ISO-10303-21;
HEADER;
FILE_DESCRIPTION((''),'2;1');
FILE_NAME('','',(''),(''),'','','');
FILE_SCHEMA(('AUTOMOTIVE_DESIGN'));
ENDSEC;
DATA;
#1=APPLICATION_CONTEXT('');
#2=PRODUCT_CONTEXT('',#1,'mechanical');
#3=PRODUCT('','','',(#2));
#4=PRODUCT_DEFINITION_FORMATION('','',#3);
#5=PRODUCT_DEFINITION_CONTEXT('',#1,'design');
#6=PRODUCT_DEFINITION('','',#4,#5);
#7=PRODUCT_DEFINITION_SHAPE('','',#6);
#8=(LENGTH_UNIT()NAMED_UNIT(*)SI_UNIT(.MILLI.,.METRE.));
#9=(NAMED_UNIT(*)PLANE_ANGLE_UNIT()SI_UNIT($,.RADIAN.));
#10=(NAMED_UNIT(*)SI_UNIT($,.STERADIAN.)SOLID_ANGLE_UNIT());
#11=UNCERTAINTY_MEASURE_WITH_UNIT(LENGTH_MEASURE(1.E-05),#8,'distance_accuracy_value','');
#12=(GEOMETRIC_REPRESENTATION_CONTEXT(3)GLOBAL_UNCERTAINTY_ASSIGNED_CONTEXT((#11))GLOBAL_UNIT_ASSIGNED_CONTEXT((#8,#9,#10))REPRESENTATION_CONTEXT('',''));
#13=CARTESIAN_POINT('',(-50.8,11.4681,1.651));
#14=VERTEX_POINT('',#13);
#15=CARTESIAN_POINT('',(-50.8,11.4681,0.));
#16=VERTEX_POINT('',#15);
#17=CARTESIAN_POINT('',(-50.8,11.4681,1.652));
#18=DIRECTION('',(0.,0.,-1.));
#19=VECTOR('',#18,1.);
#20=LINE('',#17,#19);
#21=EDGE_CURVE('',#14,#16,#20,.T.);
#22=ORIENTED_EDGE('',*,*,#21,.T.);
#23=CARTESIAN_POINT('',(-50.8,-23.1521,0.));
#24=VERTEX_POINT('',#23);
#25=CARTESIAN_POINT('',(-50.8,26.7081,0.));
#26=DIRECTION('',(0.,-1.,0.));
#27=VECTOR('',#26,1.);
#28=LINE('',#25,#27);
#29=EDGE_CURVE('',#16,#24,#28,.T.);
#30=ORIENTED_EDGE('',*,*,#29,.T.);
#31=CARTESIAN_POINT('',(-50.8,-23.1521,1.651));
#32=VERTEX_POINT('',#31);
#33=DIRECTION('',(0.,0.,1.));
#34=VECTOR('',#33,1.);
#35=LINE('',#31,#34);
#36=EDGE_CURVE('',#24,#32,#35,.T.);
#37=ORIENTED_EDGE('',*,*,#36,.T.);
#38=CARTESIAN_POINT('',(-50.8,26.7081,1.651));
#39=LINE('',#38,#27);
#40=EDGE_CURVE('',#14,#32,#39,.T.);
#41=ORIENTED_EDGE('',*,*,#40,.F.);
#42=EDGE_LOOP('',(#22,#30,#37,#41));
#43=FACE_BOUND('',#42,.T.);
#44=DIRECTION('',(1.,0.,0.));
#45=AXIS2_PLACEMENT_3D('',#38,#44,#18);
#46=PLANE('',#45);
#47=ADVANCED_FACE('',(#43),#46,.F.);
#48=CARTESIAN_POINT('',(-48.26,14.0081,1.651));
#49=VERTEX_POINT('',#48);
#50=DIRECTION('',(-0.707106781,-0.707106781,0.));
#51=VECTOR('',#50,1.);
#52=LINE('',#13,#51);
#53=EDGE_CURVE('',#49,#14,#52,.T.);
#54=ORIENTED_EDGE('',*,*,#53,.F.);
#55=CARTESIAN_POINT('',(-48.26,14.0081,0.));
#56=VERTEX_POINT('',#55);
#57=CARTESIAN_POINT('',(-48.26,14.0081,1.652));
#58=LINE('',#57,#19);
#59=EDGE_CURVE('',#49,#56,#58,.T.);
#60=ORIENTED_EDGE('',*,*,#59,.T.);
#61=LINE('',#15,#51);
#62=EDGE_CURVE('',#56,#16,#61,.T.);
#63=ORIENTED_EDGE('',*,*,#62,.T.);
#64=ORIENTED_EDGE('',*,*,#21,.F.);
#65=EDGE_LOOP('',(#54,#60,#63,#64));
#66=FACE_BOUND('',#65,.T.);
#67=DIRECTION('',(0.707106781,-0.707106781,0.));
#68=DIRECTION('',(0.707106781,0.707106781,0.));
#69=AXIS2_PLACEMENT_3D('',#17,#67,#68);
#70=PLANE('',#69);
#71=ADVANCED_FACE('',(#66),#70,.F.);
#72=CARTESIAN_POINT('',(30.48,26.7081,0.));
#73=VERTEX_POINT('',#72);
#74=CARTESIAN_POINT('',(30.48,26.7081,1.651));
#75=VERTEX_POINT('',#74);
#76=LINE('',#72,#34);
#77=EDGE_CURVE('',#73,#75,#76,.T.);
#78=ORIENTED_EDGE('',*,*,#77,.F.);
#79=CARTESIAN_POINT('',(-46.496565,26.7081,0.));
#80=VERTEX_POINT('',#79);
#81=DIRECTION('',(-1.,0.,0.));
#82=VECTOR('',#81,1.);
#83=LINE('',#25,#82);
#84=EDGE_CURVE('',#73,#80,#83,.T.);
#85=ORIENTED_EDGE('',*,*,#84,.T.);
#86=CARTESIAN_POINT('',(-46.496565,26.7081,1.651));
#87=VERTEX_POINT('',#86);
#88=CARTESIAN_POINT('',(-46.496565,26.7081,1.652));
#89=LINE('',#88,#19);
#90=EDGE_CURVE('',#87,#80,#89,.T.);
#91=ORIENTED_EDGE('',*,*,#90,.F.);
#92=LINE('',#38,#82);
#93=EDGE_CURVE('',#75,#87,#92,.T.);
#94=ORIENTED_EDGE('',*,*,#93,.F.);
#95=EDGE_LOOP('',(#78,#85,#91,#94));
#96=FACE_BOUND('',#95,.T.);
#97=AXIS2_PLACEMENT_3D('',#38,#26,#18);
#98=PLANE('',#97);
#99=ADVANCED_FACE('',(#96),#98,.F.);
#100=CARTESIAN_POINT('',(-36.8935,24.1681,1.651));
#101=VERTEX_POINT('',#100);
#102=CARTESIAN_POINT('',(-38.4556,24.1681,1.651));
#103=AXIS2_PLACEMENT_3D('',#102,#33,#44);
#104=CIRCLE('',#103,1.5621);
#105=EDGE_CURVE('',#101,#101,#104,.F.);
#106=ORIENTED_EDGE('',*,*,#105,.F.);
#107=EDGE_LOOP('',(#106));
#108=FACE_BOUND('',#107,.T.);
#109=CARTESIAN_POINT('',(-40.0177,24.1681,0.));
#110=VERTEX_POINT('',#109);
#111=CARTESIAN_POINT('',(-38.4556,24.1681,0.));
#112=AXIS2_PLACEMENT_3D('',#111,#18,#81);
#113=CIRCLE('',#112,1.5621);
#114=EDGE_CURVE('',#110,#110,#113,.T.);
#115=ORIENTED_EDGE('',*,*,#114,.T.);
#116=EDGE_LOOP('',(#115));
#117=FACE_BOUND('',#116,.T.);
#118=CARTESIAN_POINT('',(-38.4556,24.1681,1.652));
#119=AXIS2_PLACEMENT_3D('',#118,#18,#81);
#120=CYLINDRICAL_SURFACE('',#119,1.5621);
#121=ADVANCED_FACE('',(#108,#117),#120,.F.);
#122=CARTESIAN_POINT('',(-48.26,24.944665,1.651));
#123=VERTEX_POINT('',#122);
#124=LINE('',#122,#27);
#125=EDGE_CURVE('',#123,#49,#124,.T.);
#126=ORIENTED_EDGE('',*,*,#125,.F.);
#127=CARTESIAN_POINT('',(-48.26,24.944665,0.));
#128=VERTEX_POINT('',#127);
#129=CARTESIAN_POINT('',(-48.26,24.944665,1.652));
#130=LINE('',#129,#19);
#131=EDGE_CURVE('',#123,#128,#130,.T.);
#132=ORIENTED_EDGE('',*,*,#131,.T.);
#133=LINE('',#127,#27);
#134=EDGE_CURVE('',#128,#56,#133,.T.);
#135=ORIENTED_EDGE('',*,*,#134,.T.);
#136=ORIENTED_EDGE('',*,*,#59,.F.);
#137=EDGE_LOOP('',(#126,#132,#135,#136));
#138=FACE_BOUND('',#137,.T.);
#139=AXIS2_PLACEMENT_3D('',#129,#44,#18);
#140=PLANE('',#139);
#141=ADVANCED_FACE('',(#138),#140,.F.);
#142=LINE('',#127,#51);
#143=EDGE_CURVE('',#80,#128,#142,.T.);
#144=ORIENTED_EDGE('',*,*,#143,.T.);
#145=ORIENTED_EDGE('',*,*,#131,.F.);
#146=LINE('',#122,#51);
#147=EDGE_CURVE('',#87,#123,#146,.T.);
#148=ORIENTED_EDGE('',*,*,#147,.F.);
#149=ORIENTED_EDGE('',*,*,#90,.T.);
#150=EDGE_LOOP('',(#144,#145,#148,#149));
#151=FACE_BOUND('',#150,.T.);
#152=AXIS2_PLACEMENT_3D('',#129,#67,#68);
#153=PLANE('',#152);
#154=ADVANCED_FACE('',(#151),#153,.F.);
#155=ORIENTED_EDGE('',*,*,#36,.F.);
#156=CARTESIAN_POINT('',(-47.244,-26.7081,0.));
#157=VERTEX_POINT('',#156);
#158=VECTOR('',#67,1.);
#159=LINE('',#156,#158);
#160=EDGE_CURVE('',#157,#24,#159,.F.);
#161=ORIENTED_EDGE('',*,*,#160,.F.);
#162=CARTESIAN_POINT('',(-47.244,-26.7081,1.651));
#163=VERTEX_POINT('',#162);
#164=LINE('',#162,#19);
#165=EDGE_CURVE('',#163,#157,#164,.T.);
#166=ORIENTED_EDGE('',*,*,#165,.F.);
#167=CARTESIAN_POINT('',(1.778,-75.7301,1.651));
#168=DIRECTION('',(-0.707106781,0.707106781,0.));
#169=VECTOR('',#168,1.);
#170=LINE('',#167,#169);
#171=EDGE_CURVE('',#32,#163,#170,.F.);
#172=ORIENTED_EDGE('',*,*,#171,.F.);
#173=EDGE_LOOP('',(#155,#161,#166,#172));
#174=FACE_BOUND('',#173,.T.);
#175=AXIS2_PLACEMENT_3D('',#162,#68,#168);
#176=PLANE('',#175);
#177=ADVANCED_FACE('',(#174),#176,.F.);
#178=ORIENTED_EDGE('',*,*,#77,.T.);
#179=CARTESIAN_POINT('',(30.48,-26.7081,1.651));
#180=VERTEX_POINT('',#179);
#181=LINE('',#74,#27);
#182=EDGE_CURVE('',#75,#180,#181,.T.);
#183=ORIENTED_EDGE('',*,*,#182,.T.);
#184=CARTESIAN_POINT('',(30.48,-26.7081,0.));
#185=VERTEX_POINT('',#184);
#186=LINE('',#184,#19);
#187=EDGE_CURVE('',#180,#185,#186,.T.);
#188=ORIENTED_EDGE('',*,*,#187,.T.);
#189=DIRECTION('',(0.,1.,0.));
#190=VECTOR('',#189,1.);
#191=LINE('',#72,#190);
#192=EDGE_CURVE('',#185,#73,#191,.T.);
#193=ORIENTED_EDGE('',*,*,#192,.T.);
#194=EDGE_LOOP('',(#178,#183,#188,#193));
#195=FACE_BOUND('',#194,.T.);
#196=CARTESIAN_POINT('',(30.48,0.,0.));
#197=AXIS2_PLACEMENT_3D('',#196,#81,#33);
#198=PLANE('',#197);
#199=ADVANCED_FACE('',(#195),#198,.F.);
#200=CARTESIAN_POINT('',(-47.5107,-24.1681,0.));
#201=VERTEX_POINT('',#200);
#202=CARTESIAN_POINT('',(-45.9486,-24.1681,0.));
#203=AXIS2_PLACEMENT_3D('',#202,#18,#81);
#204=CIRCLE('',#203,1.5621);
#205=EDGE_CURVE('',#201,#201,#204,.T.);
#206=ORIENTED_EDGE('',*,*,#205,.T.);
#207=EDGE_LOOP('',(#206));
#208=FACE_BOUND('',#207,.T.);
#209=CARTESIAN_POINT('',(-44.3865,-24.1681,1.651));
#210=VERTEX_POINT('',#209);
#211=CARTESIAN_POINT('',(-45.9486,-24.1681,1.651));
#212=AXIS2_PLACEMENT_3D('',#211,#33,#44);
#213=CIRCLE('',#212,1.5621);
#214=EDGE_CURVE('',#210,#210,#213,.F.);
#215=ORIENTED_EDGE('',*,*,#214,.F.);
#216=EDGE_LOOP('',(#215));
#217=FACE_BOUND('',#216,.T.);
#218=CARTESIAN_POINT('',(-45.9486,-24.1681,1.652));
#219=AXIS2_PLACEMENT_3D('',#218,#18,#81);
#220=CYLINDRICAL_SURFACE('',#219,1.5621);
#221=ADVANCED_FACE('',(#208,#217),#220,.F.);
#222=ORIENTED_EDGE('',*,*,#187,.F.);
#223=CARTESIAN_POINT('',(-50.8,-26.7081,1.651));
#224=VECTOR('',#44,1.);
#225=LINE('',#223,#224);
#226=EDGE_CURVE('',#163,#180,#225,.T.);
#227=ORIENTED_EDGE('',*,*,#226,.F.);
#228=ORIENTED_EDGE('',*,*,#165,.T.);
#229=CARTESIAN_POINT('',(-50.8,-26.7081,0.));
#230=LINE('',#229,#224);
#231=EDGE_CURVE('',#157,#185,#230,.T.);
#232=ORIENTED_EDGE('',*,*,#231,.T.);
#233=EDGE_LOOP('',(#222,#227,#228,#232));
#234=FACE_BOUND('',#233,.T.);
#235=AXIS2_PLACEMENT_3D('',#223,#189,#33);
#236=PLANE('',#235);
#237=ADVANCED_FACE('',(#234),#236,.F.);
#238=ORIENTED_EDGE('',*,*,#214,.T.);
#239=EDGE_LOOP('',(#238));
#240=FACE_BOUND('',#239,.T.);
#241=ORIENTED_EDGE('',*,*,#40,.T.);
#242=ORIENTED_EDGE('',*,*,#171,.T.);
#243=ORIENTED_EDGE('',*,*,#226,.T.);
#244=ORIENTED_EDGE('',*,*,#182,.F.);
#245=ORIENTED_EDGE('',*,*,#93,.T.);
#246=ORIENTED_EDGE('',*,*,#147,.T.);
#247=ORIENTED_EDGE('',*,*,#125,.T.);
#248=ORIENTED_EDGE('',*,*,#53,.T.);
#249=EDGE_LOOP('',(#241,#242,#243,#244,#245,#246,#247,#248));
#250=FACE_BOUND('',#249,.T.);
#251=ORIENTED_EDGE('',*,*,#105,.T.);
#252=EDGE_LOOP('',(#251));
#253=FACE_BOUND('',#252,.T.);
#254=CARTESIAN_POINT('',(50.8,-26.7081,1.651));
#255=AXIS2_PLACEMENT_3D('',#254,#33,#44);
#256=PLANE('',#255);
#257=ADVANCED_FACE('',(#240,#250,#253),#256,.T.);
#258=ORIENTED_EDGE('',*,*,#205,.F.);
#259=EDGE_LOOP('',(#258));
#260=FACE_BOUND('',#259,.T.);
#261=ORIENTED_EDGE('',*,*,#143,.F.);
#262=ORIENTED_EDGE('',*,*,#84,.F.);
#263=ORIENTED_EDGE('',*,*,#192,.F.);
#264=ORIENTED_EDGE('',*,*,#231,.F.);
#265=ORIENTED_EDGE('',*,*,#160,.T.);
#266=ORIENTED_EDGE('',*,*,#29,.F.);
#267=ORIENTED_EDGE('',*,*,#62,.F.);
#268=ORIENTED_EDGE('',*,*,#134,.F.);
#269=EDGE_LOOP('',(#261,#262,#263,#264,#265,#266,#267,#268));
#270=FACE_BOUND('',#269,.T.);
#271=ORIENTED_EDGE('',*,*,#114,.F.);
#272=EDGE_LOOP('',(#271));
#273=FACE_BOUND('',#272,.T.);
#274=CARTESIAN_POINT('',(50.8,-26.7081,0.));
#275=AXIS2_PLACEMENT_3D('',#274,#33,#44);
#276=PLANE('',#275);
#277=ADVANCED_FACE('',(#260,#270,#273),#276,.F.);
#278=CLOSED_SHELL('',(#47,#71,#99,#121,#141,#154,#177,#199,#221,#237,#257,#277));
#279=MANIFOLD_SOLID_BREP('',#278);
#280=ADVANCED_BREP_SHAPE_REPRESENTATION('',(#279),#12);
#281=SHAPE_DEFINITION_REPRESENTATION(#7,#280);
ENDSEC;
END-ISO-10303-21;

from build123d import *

# Parameters (mm, degrees)
SKETCH1_W               = 101.6
SKETCH1_H               = 53.4162
BOSS_EXTRUDE1_DEPTH     = 1.651
CHAMFER3_SIZE           = 3.556
CUT_EXTRUDE4_REACH      = 3.651
CUT_EXTRUDE5_REACH      = 3.651
SKETCH22_R              = 1.5621
ESQUISSE1_W             = 1.651
ESQUISSE1_H             = 53.4162
ENL_V_MAT_EXTRU_1_DEPTH = 20.32


with BuildPart() as part:
    # Sketch1 → Boss-Extrude1 (new body)
    with BuildSketch(Plane.XY):
        Rectangle(SKETCH1_W, SKETCH1_H)
    extrude(amount=BOSS_EXTRUDE1_DEPTH)

    # Chamfer3
    chamfer3_edges = [part.edges().sort_by_distance(p)[0] for p in [
        (-50.8, -26.7081, 0.8255),
    ]]
    chamfer(chamfer3_edges, length=CHAMFER3_SIZE)

    # Sketch13 → Cut-Extrude4 (cut, up to next)
    with BuildSketch(Plane(origin=(0, 0, 0), x_dir=(-1, 0, 0), z_dir=(0, 0, -1)), mode=Mode.PRIVATE) as cut_extrude4_sk1:
        Polygon((48.26, 24.9446647), (48.26, 14.0081), (50.8, 11.4681), (50.8, 26.7081), (46.4965647, 26.7081), align=None)
    cut_extrude4_tool1 = extrude(cut_extrude4_sk1.sketch, amount=-CUT_EXTRUDE4_REACH, mode=Mode.PRIVATE) & part.part
    add(cut_extrude4_tool1.solids().sort_by_distance((-49.48888, 19.973214, 0))[0], mode=Mode.SUBTRACT)

    # Sketch22 → Cut-Extrude5 (cut, up to next)
    with BuildSketch(Plane(origin=(0, 0, 0), x_dir=(-1, 0, 0), z_dir=(0, 0, -1)), mode=Mode.PRIVATE) as cut_extrude5_sk1:
        with Locations((38.4556, 24.1681)):
            Circle(SKETCH22_R)
    cut_extrude5_tool1 = extrude(cut_extrude5_sk1.sketch, amount=-CUT_EXTRUDE5_REACH, mode=Mode.PRIVATE) & part.part
    add(cut_extrude5_tool1.solids().sort_by_distance((-38.4556, 24.1681, 0))[0], mode=Mode.SUBTRACT)
    # Sketch22 → Cut-Extrude5 (cut, up to next)
    with BuildSketch(Plane(origin=(0, 0, 0), x_dir=(-1, 0, 0), z_dir=(0, 0, -1)), mode=Mode.PRIVATE) as cut_extrude5_sk2:
        with Locations((45.9486, -24.1681)):
            Circle(SKETCH22_R)
    cut_extrude5_tool2 = extrude(cut_extrude5_sk2.sketch, amount=-CUT_EXTRUDE5_REACH, mode=Mode.PRIVATE) & part.part
    add(cut_extrude5_tool2.solids().sort_by_distance((-45.9486, -24.1681, 0))[0], mode=Mode.SUBTRACT)

    # Esquisse1 → Enlèv. mat.-Extru.1 (cut)
    with BuildSketch(Plane(origin=(50.8, 0, 0), x_dir=(0, 0, -1), z_dir=(1, 0, 0))):
        with Locations((-0.8255, 0)):
            Rectangle(ESQUISSE1_W, ESQUISSE1_H)
    extrude(amount=-ENL_V_MAT_EXTRU_1_DEPTH, mode=Mode.SUBTRACT)


solid = part.part
